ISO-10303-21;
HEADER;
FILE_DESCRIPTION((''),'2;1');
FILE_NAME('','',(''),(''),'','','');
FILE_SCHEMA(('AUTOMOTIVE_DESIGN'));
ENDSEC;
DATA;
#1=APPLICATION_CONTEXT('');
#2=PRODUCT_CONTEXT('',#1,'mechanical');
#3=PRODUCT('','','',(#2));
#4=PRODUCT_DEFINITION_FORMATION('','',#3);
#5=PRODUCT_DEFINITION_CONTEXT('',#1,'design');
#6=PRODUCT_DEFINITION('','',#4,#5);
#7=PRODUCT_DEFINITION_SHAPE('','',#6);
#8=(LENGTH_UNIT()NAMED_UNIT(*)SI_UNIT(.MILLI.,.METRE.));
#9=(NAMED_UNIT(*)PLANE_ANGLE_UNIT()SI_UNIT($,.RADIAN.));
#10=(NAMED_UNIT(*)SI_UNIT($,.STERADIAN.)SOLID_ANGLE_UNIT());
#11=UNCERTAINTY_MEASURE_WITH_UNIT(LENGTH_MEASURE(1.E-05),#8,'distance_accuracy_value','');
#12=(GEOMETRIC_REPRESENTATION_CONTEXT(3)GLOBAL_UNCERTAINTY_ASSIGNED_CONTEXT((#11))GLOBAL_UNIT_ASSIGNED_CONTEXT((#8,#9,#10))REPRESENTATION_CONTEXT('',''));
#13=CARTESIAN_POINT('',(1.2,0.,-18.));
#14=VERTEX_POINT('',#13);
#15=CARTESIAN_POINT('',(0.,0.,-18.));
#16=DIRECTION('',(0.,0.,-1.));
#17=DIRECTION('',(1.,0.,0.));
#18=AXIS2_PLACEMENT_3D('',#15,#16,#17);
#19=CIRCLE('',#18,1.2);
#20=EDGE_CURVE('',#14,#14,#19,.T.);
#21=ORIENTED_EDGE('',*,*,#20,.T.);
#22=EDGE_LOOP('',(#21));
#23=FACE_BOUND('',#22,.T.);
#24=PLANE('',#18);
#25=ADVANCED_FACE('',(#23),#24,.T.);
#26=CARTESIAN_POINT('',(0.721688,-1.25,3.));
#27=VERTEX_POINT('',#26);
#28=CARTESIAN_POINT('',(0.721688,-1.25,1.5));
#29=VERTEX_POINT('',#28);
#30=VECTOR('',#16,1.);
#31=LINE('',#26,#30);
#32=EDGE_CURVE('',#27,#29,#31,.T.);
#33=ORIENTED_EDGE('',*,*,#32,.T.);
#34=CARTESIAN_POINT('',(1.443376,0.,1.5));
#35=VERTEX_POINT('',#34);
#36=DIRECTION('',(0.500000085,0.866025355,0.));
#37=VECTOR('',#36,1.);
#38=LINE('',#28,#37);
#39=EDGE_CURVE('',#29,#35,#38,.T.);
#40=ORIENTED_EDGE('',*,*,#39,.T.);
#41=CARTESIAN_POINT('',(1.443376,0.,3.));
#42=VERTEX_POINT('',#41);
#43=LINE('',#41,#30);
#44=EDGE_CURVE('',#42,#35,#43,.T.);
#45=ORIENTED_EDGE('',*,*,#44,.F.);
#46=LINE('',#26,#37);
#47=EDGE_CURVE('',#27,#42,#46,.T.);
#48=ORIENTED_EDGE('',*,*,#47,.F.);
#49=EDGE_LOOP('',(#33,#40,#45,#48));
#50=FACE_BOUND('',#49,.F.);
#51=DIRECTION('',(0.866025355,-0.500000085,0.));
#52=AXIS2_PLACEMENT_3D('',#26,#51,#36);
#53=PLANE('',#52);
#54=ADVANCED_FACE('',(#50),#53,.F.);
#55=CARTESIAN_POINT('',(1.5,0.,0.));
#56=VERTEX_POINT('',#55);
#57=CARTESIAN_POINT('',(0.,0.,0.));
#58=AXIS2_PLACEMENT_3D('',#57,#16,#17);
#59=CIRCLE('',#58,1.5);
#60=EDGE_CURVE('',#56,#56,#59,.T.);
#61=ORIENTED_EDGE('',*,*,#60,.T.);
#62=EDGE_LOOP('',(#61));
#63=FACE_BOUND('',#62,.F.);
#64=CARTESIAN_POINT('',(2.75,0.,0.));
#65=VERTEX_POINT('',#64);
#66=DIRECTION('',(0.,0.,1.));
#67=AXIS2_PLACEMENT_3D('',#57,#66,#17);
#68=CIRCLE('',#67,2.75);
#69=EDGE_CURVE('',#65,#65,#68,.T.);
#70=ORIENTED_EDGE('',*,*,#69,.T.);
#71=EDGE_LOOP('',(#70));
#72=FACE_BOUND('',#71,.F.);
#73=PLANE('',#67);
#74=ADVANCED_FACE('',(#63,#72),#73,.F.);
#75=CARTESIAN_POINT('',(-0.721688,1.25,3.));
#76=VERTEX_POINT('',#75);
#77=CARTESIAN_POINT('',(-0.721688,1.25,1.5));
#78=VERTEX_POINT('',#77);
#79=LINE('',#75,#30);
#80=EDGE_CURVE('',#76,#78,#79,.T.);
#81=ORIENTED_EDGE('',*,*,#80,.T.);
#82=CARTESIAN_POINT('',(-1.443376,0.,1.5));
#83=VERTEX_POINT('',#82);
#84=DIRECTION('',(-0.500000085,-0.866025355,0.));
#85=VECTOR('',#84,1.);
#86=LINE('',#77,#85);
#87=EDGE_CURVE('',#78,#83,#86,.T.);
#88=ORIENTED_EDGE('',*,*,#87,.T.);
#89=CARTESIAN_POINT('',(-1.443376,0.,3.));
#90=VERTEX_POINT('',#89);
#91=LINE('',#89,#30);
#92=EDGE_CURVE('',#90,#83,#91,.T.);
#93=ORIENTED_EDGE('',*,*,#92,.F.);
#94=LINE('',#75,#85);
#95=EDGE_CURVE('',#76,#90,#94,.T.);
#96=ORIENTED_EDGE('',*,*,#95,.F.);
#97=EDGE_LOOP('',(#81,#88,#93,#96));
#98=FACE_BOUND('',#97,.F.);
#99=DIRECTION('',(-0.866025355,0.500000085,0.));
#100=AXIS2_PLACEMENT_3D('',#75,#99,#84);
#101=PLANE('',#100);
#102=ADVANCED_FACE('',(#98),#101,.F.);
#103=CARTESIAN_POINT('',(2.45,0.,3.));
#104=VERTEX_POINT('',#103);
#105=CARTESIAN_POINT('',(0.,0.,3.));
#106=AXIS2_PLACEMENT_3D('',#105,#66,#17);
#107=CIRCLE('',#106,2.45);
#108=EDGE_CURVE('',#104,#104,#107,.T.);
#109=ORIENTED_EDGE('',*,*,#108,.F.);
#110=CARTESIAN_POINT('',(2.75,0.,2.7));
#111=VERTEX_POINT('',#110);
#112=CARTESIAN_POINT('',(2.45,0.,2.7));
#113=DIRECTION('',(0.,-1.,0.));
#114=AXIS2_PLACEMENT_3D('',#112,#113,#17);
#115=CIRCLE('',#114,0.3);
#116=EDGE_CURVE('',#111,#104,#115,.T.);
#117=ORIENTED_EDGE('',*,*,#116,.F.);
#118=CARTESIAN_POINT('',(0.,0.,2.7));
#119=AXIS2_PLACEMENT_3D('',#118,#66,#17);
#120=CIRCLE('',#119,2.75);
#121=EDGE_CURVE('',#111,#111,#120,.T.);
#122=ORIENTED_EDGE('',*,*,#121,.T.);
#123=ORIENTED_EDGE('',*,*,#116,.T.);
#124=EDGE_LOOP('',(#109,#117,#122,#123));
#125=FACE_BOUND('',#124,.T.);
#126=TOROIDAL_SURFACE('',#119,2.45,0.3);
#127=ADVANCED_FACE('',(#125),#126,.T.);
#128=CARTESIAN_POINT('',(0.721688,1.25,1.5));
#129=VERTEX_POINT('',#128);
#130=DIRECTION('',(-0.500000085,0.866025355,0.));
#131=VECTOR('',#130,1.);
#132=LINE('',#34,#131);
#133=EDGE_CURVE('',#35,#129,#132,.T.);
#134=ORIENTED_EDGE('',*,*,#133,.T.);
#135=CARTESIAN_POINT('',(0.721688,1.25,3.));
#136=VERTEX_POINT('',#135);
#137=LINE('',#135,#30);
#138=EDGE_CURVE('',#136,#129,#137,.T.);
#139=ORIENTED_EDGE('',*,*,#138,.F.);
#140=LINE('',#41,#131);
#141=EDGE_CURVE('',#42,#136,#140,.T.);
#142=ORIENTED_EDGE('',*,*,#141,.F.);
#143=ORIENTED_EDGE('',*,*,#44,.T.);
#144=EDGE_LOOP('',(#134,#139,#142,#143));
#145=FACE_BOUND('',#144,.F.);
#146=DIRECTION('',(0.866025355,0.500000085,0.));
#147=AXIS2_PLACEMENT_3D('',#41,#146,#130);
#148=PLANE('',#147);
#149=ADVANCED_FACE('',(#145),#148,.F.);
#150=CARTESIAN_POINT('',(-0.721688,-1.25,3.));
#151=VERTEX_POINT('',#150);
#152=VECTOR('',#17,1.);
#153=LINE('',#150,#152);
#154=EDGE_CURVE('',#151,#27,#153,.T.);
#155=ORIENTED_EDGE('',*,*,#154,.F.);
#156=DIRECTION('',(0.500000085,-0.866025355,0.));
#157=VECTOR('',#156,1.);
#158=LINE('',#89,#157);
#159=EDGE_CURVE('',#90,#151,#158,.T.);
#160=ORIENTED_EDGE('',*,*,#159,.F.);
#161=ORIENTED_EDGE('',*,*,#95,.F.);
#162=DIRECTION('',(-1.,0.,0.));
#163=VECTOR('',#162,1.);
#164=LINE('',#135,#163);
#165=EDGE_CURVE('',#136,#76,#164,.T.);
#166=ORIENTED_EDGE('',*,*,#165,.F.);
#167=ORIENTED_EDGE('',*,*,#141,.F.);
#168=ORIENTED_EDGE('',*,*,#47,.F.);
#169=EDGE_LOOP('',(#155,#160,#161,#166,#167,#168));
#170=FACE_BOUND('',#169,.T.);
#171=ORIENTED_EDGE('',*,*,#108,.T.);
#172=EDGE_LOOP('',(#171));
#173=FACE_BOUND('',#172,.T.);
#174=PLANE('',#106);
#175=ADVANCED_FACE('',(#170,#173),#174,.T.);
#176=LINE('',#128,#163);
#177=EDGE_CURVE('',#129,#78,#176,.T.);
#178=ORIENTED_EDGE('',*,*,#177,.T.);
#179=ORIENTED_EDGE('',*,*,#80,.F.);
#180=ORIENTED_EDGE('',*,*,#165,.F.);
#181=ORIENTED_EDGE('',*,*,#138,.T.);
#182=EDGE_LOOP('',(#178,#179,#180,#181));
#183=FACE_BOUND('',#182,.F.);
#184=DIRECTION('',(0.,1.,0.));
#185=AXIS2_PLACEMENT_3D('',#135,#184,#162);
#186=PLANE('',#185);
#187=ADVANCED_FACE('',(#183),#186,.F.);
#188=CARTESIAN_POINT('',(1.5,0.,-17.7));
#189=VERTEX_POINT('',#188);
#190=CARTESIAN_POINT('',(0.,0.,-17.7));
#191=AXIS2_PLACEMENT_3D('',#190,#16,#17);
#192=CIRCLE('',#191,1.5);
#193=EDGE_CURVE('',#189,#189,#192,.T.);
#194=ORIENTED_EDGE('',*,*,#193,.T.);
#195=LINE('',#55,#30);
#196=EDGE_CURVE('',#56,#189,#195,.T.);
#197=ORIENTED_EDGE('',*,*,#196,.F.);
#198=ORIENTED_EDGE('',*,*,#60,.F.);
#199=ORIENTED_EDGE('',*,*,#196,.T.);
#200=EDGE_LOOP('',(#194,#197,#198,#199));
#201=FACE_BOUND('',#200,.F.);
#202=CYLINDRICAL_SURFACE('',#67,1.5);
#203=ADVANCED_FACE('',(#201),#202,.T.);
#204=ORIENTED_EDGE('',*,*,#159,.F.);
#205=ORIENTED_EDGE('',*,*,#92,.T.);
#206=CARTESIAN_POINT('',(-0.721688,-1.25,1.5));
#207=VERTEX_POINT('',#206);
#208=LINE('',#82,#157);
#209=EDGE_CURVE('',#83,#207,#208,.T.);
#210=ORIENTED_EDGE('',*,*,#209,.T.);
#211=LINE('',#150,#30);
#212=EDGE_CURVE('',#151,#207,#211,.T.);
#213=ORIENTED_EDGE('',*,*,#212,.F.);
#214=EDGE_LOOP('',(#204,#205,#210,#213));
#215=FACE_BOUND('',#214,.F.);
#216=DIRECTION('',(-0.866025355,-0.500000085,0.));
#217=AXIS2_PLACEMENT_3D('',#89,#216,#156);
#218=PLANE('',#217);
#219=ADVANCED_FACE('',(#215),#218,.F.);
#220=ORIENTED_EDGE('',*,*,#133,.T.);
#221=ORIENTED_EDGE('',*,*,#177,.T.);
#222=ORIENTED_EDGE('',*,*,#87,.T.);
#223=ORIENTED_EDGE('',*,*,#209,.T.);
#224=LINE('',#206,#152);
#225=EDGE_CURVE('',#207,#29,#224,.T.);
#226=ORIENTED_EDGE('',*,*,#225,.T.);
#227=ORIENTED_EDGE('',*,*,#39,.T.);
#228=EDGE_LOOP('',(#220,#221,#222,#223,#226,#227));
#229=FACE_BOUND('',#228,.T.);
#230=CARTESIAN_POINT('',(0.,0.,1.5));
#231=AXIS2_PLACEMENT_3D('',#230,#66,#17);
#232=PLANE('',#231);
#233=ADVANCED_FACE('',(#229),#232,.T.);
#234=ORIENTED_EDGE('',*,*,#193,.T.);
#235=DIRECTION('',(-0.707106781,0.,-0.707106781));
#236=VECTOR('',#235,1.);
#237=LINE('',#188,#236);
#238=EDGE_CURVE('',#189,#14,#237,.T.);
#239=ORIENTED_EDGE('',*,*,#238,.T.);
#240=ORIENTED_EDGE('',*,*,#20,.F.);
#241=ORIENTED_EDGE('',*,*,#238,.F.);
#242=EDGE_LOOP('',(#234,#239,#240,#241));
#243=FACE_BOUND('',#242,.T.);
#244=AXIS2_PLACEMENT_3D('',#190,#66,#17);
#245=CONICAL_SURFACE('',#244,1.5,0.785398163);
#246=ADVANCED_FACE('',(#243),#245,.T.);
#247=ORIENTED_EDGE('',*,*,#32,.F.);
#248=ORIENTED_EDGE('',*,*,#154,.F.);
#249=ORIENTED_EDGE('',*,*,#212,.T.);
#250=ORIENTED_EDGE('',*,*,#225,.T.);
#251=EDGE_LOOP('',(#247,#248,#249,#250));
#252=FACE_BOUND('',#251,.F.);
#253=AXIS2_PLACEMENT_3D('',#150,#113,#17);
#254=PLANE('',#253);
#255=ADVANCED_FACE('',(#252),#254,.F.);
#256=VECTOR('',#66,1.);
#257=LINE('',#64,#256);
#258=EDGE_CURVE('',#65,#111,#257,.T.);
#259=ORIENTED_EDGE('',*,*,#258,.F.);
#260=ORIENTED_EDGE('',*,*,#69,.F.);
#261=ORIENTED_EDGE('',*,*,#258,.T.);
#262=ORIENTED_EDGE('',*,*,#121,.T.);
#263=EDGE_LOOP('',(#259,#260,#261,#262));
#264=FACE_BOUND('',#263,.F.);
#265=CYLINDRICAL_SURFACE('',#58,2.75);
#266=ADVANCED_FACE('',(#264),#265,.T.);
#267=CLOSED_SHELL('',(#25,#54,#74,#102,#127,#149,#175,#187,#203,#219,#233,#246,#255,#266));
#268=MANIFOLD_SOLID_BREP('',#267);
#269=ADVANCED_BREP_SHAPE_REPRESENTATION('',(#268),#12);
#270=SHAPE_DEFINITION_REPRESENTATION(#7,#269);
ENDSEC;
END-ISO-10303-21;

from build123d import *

# Parameters (mm, degrees)
F0_R     = 2.75
F1_DEPTH = 3
F2_R     = 1.5
F3_DEPTH = 18
F4_SIZE  = 0.3
F5_R     = 0.3
F7_DEPTH = 1.5


with BuildPart() as f1:
    # F0 (on Top) → F1 (new body)
    with BuildSketch(Plane.XY):
        Circle(F0_R)
    extrude(amount=F1_DEPTH)

    # F2 (on face) → F3 (join)
    with BuildSketch(Plane(origin=(0, 0, 0), x_dir=(1, 0, 0), z_dir=(0, 0, -1))):
        Circle(F2_R)
    extrude(amount=F3_DEPTH)

    # F4
    f4_edges = [f1.edges().sort_by_distance(p)[0] for p in [
        (-1.5, 0, -18),
    ]]
    chamfer(f4_edges, length=F4_SIZE)

    # F5
    f5_edges = [f1.edges().sort_by_distance(p)[0] for p in [
        (-2.75, 0, 3),
    ]]
    fillet(f5_edges, radius=F5_R)

    # F6 (on face) → F7 (cut)
    with BuildSketch(Plane.XY.offset(3)):
        Polygon((0.721688, 1.25), (-0.721688, 1.25), (-1.443376, 0), (-0.721688, -1.25), (0.721688, -1.25), (1.443376, 0), align=None)
    extrude(amount=-F7_DEPTH, mode=Mode.SUBTRACT)


solid = f1.part
